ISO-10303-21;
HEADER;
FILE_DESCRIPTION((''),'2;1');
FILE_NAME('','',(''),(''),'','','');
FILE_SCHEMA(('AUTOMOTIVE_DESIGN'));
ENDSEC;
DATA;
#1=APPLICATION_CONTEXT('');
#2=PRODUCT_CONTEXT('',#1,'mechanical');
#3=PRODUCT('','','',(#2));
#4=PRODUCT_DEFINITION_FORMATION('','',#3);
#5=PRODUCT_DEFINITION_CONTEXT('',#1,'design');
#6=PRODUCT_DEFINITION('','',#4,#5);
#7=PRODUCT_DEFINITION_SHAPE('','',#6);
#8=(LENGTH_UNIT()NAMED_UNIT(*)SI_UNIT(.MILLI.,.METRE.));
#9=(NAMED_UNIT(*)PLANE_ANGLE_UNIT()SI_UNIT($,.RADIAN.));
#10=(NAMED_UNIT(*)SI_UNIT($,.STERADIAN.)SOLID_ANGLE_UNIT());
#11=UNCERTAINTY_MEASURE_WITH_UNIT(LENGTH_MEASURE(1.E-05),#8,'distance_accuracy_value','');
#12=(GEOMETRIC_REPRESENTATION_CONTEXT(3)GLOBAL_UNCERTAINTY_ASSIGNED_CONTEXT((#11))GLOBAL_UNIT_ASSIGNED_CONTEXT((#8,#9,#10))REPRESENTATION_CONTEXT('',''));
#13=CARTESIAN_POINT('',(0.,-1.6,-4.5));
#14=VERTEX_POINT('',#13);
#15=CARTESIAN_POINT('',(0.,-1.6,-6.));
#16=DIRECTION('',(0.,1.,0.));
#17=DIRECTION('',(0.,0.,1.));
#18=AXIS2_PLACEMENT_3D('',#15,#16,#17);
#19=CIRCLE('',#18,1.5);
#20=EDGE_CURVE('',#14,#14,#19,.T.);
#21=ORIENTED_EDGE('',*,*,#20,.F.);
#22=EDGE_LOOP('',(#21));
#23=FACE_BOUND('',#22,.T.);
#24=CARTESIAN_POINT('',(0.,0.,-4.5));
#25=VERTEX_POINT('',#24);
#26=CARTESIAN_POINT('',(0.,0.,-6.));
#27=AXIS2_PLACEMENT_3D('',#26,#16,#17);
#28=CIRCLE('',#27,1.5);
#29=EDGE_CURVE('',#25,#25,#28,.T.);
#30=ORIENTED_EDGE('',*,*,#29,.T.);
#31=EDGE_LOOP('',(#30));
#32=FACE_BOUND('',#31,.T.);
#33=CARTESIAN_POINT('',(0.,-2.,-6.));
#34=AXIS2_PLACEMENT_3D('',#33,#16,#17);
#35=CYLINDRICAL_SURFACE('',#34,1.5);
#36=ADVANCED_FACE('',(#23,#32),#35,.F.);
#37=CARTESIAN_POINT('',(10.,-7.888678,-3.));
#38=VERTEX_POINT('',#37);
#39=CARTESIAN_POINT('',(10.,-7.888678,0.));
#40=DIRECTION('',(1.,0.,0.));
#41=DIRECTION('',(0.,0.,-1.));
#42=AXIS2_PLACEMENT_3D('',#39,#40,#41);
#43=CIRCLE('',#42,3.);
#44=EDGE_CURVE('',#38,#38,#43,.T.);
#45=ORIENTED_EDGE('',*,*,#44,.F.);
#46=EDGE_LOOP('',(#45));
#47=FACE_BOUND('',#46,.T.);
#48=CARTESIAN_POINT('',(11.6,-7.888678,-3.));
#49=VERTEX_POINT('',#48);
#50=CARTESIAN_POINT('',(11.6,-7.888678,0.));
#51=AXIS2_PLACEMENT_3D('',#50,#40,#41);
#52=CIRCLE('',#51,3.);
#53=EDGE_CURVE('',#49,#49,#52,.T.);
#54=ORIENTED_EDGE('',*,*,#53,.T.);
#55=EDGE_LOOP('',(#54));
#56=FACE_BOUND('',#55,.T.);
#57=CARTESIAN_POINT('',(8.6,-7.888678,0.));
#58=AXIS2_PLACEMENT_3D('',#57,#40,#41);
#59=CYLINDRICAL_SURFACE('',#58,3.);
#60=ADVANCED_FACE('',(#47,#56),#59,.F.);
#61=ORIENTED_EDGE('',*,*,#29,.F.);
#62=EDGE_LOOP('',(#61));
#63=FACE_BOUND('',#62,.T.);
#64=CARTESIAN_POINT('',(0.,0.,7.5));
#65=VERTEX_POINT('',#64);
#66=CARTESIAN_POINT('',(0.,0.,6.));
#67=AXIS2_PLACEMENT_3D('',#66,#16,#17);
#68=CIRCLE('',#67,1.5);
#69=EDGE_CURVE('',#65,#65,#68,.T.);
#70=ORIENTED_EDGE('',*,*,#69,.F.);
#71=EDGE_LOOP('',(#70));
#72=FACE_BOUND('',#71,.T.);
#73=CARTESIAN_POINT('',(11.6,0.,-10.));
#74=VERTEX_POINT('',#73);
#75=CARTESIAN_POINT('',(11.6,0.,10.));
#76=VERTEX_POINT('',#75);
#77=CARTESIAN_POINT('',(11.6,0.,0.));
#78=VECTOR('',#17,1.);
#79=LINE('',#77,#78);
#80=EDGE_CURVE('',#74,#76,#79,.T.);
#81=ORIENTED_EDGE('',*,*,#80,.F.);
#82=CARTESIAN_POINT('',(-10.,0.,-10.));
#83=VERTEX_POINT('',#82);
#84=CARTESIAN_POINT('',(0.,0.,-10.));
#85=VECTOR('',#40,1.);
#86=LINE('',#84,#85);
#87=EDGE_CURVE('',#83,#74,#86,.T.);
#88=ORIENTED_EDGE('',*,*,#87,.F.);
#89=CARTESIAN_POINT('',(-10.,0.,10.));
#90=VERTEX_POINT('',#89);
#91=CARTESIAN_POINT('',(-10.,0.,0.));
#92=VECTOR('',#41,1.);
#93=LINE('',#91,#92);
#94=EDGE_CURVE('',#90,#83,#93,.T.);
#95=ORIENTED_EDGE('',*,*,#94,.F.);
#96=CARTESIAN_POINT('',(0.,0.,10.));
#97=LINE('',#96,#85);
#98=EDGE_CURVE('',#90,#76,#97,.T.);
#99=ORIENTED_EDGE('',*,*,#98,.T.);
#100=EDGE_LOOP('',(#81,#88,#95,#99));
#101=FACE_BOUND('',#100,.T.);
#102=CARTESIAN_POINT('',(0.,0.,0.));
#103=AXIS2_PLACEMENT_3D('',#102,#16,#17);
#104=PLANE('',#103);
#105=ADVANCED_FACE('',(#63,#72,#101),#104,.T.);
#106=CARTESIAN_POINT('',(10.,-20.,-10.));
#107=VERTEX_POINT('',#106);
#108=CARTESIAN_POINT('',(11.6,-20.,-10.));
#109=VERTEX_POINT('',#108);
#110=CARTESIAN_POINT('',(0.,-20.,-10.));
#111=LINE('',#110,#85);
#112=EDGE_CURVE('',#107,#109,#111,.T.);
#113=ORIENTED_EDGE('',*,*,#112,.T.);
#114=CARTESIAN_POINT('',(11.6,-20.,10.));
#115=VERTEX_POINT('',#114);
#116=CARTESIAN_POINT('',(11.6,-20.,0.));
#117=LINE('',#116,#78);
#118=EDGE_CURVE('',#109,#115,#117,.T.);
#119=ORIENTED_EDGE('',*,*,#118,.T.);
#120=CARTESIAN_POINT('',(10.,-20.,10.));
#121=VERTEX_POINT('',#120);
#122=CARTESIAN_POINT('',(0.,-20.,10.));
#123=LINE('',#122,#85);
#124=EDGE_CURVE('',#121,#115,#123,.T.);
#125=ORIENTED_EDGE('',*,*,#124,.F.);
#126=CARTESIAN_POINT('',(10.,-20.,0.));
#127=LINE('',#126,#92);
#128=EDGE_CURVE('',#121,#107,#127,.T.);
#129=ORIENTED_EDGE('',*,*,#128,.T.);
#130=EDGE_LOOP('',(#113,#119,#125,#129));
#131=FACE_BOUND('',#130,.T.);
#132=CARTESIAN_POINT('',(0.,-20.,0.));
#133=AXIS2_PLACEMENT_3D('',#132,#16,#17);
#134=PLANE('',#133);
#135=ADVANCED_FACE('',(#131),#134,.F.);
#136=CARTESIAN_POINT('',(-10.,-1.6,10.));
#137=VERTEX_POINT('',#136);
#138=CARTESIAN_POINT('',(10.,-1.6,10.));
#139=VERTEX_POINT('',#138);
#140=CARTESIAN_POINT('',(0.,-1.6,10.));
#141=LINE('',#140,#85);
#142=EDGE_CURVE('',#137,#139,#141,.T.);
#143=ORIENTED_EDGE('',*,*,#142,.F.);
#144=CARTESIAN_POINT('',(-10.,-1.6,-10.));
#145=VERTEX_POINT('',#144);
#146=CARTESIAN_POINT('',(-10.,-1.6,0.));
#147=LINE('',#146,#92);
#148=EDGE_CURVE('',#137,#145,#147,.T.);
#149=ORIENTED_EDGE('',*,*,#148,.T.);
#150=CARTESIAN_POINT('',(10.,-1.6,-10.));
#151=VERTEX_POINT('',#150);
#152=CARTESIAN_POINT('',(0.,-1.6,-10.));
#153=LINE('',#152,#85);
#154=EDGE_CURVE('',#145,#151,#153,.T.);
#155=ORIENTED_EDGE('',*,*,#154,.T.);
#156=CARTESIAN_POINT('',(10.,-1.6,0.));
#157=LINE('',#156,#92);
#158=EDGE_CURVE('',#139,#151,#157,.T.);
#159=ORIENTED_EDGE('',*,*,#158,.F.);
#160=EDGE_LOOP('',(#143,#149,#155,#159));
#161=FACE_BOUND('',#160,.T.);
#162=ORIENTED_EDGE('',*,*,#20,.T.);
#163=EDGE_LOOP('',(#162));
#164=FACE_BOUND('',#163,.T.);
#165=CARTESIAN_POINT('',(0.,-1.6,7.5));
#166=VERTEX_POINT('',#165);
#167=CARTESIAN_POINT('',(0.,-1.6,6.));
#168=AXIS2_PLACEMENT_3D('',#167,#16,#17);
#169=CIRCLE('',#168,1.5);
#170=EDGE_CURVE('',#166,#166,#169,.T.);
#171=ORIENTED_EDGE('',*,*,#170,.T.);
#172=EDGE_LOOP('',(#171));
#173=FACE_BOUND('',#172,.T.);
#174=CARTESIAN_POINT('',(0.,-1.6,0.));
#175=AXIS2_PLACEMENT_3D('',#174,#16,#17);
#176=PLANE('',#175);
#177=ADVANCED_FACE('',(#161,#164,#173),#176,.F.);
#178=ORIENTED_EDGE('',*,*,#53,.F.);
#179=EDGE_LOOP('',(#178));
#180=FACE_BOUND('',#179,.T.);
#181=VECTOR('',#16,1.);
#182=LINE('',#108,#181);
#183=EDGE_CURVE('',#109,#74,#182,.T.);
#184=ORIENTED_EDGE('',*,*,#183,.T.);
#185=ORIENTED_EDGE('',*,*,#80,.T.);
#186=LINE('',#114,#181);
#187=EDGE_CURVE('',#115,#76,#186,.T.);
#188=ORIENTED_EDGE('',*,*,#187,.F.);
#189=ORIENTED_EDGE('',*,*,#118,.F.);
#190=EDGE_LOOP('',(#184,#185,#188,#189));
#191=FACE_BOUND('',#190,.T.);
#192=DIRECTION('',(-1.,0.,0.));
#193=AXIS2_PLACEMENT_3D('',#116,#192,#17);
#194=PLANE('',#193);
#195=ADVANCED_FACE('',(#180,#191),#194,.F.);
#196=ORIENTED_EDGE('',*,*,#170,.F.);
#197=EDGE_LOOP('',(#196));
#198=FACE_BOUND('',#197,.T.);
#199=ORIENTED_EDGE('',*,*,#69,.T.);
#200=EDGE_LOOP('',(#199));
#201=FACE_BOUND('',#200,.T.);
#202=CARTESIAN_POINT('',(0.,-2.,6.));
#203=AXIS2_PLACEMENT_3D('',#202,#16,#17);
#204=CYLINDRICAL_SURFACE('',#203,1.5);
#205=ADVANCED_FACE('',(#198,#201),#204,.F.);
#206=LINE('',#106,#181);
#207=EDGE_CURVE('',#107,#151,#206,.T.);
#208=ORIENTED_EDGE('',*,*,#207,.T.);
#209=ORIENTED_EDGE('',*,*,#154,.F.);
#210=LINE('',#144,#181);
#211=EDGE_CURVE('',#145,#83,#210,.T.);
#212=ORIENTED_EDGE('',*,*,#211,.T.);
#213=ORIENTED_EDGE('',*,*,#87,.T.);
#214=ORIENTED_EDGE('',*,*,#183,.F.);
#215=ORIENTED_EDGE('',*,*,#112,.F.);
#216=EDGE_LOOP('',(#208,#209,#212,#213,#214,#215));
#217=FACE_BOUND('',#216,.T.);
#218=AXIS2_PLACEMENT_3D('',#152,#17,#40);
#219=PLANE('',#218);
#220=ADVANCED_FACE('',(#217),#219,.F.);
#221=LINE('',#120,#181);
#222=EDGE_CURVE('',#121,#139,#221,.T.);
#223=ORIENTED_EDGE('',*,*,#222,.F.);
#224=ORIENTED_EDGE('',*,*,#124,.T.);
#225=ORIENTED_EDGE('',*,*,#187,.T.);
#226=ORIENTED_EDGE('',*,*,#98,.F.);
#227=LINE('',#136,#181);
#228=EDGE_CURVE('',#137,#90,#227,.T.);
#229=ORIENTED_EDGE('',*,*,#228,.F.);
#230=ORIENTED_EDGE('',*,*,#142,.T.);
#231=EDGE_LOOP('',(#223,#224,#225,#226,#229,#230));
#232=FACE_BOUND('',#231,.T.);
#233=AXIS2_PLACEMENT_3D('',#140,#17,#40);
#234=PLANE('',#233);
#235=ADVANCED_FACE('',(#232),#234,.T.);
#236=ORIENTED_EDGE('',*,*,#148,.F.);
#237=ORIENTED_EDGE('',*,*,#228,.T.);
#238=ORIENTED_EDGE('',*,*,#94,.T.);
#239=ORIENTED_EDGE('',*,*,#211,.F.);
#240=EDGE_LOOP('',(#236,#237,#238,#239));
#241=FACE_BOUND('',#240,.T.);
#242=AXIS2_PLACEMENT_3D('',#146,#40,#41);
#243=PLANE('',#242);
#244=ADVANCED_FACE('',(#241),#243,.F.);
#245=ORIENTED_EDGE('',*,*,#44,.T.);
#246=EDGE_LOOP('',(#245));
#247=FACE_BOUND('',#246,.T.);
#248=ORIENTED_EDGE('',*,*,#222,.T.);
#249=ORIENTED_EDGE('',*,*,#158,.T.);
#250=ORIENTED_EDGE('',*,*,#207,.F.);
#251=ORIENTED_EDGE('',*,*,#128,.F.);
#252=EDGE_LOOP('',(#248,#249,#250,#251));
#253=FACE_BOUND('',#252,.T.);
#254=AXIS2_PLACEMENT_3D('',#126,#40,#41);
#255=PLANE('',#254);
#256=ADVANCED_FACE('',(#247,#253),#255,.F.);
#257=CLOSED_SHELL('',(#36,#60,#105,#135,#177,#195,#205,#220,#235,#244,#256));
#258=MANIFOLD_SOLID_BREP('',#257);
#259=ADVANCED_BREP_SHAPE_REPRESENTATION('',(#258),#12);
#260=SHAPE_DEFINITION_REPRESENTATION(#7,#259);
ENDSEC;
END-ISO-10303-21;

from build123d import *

# Parameters (mm, degrees)
SKETCH2_W           = 20
SKETCH2_H           = 20
BOSS_EXTRUDE1_DEPTH = 1.6
SKETCH2_4_W         = 1.6
SKETCH2_4_H         = 20
BOSS_EXTRUDE2_DEPTH = 20
SKETCH3_R           = 3
CUT_EXTRUDE1_DEPTH  = 3
SKETCH4_R           = 1.5
CUT_EXTRUDE2_DEPTH  = 2


with BuildPart() as part:
    # Sketch2 → Boss-Extrude1 (new body)
    with BuildSketch(Plane(origin=(0, 0, 0), x_dir=(1, 0, 0), z_dir=(0, 1, 0))):
        Rectangle(SKETCH2_W, SKETCH2_H)
    extrude(amount=-BOSS_EXTRUDE1_DEPTH)

    # Sketch2<4> → Boss-Extrude2 (add)
    with BuildSketch(Plane(origin=(0, 0, 0), x_dir=(1, 0, 0), z_dir=(0, 1, 0))):
        with Locations((10.8, 0)):
            Rectangle(SKETCH2_4_W, SKETCH2_4_H)
    extrude(amount=-BOSS_EXTRUDE2_DEPTH)

    # Sketch3 → Cut-Extrude1 (cut)
    with BuildSketch(Plane(origin=(11.6, 0, 0), x_dir=(0, 0, -1), z_dir=(1, 0, 0))):
        with Locations((0, -7.888677581)):
            Circle(SKETCH3_R)
    extrude(amount=-CUT_EXTRUDE1_DEPTH, mode=Mode.SUBTRACT)

    # Sketch4 → Cut-Extrude2 (cut)
    with BuildSketch(Plane(origin=(0, 0, 0), x_dir=(1, 0, 0), z_dir=(0, 1, 0))):
        with Locations((0, 6)):
            Circle(SKETCH4_R)
        with Locations((0, -6)):
            Circle(SKETCH4_R)
    extrude(amount=-CUT_EXTRUDE2_DEPTH, mode=Mode.SUBTRACT)


solid = part.part
